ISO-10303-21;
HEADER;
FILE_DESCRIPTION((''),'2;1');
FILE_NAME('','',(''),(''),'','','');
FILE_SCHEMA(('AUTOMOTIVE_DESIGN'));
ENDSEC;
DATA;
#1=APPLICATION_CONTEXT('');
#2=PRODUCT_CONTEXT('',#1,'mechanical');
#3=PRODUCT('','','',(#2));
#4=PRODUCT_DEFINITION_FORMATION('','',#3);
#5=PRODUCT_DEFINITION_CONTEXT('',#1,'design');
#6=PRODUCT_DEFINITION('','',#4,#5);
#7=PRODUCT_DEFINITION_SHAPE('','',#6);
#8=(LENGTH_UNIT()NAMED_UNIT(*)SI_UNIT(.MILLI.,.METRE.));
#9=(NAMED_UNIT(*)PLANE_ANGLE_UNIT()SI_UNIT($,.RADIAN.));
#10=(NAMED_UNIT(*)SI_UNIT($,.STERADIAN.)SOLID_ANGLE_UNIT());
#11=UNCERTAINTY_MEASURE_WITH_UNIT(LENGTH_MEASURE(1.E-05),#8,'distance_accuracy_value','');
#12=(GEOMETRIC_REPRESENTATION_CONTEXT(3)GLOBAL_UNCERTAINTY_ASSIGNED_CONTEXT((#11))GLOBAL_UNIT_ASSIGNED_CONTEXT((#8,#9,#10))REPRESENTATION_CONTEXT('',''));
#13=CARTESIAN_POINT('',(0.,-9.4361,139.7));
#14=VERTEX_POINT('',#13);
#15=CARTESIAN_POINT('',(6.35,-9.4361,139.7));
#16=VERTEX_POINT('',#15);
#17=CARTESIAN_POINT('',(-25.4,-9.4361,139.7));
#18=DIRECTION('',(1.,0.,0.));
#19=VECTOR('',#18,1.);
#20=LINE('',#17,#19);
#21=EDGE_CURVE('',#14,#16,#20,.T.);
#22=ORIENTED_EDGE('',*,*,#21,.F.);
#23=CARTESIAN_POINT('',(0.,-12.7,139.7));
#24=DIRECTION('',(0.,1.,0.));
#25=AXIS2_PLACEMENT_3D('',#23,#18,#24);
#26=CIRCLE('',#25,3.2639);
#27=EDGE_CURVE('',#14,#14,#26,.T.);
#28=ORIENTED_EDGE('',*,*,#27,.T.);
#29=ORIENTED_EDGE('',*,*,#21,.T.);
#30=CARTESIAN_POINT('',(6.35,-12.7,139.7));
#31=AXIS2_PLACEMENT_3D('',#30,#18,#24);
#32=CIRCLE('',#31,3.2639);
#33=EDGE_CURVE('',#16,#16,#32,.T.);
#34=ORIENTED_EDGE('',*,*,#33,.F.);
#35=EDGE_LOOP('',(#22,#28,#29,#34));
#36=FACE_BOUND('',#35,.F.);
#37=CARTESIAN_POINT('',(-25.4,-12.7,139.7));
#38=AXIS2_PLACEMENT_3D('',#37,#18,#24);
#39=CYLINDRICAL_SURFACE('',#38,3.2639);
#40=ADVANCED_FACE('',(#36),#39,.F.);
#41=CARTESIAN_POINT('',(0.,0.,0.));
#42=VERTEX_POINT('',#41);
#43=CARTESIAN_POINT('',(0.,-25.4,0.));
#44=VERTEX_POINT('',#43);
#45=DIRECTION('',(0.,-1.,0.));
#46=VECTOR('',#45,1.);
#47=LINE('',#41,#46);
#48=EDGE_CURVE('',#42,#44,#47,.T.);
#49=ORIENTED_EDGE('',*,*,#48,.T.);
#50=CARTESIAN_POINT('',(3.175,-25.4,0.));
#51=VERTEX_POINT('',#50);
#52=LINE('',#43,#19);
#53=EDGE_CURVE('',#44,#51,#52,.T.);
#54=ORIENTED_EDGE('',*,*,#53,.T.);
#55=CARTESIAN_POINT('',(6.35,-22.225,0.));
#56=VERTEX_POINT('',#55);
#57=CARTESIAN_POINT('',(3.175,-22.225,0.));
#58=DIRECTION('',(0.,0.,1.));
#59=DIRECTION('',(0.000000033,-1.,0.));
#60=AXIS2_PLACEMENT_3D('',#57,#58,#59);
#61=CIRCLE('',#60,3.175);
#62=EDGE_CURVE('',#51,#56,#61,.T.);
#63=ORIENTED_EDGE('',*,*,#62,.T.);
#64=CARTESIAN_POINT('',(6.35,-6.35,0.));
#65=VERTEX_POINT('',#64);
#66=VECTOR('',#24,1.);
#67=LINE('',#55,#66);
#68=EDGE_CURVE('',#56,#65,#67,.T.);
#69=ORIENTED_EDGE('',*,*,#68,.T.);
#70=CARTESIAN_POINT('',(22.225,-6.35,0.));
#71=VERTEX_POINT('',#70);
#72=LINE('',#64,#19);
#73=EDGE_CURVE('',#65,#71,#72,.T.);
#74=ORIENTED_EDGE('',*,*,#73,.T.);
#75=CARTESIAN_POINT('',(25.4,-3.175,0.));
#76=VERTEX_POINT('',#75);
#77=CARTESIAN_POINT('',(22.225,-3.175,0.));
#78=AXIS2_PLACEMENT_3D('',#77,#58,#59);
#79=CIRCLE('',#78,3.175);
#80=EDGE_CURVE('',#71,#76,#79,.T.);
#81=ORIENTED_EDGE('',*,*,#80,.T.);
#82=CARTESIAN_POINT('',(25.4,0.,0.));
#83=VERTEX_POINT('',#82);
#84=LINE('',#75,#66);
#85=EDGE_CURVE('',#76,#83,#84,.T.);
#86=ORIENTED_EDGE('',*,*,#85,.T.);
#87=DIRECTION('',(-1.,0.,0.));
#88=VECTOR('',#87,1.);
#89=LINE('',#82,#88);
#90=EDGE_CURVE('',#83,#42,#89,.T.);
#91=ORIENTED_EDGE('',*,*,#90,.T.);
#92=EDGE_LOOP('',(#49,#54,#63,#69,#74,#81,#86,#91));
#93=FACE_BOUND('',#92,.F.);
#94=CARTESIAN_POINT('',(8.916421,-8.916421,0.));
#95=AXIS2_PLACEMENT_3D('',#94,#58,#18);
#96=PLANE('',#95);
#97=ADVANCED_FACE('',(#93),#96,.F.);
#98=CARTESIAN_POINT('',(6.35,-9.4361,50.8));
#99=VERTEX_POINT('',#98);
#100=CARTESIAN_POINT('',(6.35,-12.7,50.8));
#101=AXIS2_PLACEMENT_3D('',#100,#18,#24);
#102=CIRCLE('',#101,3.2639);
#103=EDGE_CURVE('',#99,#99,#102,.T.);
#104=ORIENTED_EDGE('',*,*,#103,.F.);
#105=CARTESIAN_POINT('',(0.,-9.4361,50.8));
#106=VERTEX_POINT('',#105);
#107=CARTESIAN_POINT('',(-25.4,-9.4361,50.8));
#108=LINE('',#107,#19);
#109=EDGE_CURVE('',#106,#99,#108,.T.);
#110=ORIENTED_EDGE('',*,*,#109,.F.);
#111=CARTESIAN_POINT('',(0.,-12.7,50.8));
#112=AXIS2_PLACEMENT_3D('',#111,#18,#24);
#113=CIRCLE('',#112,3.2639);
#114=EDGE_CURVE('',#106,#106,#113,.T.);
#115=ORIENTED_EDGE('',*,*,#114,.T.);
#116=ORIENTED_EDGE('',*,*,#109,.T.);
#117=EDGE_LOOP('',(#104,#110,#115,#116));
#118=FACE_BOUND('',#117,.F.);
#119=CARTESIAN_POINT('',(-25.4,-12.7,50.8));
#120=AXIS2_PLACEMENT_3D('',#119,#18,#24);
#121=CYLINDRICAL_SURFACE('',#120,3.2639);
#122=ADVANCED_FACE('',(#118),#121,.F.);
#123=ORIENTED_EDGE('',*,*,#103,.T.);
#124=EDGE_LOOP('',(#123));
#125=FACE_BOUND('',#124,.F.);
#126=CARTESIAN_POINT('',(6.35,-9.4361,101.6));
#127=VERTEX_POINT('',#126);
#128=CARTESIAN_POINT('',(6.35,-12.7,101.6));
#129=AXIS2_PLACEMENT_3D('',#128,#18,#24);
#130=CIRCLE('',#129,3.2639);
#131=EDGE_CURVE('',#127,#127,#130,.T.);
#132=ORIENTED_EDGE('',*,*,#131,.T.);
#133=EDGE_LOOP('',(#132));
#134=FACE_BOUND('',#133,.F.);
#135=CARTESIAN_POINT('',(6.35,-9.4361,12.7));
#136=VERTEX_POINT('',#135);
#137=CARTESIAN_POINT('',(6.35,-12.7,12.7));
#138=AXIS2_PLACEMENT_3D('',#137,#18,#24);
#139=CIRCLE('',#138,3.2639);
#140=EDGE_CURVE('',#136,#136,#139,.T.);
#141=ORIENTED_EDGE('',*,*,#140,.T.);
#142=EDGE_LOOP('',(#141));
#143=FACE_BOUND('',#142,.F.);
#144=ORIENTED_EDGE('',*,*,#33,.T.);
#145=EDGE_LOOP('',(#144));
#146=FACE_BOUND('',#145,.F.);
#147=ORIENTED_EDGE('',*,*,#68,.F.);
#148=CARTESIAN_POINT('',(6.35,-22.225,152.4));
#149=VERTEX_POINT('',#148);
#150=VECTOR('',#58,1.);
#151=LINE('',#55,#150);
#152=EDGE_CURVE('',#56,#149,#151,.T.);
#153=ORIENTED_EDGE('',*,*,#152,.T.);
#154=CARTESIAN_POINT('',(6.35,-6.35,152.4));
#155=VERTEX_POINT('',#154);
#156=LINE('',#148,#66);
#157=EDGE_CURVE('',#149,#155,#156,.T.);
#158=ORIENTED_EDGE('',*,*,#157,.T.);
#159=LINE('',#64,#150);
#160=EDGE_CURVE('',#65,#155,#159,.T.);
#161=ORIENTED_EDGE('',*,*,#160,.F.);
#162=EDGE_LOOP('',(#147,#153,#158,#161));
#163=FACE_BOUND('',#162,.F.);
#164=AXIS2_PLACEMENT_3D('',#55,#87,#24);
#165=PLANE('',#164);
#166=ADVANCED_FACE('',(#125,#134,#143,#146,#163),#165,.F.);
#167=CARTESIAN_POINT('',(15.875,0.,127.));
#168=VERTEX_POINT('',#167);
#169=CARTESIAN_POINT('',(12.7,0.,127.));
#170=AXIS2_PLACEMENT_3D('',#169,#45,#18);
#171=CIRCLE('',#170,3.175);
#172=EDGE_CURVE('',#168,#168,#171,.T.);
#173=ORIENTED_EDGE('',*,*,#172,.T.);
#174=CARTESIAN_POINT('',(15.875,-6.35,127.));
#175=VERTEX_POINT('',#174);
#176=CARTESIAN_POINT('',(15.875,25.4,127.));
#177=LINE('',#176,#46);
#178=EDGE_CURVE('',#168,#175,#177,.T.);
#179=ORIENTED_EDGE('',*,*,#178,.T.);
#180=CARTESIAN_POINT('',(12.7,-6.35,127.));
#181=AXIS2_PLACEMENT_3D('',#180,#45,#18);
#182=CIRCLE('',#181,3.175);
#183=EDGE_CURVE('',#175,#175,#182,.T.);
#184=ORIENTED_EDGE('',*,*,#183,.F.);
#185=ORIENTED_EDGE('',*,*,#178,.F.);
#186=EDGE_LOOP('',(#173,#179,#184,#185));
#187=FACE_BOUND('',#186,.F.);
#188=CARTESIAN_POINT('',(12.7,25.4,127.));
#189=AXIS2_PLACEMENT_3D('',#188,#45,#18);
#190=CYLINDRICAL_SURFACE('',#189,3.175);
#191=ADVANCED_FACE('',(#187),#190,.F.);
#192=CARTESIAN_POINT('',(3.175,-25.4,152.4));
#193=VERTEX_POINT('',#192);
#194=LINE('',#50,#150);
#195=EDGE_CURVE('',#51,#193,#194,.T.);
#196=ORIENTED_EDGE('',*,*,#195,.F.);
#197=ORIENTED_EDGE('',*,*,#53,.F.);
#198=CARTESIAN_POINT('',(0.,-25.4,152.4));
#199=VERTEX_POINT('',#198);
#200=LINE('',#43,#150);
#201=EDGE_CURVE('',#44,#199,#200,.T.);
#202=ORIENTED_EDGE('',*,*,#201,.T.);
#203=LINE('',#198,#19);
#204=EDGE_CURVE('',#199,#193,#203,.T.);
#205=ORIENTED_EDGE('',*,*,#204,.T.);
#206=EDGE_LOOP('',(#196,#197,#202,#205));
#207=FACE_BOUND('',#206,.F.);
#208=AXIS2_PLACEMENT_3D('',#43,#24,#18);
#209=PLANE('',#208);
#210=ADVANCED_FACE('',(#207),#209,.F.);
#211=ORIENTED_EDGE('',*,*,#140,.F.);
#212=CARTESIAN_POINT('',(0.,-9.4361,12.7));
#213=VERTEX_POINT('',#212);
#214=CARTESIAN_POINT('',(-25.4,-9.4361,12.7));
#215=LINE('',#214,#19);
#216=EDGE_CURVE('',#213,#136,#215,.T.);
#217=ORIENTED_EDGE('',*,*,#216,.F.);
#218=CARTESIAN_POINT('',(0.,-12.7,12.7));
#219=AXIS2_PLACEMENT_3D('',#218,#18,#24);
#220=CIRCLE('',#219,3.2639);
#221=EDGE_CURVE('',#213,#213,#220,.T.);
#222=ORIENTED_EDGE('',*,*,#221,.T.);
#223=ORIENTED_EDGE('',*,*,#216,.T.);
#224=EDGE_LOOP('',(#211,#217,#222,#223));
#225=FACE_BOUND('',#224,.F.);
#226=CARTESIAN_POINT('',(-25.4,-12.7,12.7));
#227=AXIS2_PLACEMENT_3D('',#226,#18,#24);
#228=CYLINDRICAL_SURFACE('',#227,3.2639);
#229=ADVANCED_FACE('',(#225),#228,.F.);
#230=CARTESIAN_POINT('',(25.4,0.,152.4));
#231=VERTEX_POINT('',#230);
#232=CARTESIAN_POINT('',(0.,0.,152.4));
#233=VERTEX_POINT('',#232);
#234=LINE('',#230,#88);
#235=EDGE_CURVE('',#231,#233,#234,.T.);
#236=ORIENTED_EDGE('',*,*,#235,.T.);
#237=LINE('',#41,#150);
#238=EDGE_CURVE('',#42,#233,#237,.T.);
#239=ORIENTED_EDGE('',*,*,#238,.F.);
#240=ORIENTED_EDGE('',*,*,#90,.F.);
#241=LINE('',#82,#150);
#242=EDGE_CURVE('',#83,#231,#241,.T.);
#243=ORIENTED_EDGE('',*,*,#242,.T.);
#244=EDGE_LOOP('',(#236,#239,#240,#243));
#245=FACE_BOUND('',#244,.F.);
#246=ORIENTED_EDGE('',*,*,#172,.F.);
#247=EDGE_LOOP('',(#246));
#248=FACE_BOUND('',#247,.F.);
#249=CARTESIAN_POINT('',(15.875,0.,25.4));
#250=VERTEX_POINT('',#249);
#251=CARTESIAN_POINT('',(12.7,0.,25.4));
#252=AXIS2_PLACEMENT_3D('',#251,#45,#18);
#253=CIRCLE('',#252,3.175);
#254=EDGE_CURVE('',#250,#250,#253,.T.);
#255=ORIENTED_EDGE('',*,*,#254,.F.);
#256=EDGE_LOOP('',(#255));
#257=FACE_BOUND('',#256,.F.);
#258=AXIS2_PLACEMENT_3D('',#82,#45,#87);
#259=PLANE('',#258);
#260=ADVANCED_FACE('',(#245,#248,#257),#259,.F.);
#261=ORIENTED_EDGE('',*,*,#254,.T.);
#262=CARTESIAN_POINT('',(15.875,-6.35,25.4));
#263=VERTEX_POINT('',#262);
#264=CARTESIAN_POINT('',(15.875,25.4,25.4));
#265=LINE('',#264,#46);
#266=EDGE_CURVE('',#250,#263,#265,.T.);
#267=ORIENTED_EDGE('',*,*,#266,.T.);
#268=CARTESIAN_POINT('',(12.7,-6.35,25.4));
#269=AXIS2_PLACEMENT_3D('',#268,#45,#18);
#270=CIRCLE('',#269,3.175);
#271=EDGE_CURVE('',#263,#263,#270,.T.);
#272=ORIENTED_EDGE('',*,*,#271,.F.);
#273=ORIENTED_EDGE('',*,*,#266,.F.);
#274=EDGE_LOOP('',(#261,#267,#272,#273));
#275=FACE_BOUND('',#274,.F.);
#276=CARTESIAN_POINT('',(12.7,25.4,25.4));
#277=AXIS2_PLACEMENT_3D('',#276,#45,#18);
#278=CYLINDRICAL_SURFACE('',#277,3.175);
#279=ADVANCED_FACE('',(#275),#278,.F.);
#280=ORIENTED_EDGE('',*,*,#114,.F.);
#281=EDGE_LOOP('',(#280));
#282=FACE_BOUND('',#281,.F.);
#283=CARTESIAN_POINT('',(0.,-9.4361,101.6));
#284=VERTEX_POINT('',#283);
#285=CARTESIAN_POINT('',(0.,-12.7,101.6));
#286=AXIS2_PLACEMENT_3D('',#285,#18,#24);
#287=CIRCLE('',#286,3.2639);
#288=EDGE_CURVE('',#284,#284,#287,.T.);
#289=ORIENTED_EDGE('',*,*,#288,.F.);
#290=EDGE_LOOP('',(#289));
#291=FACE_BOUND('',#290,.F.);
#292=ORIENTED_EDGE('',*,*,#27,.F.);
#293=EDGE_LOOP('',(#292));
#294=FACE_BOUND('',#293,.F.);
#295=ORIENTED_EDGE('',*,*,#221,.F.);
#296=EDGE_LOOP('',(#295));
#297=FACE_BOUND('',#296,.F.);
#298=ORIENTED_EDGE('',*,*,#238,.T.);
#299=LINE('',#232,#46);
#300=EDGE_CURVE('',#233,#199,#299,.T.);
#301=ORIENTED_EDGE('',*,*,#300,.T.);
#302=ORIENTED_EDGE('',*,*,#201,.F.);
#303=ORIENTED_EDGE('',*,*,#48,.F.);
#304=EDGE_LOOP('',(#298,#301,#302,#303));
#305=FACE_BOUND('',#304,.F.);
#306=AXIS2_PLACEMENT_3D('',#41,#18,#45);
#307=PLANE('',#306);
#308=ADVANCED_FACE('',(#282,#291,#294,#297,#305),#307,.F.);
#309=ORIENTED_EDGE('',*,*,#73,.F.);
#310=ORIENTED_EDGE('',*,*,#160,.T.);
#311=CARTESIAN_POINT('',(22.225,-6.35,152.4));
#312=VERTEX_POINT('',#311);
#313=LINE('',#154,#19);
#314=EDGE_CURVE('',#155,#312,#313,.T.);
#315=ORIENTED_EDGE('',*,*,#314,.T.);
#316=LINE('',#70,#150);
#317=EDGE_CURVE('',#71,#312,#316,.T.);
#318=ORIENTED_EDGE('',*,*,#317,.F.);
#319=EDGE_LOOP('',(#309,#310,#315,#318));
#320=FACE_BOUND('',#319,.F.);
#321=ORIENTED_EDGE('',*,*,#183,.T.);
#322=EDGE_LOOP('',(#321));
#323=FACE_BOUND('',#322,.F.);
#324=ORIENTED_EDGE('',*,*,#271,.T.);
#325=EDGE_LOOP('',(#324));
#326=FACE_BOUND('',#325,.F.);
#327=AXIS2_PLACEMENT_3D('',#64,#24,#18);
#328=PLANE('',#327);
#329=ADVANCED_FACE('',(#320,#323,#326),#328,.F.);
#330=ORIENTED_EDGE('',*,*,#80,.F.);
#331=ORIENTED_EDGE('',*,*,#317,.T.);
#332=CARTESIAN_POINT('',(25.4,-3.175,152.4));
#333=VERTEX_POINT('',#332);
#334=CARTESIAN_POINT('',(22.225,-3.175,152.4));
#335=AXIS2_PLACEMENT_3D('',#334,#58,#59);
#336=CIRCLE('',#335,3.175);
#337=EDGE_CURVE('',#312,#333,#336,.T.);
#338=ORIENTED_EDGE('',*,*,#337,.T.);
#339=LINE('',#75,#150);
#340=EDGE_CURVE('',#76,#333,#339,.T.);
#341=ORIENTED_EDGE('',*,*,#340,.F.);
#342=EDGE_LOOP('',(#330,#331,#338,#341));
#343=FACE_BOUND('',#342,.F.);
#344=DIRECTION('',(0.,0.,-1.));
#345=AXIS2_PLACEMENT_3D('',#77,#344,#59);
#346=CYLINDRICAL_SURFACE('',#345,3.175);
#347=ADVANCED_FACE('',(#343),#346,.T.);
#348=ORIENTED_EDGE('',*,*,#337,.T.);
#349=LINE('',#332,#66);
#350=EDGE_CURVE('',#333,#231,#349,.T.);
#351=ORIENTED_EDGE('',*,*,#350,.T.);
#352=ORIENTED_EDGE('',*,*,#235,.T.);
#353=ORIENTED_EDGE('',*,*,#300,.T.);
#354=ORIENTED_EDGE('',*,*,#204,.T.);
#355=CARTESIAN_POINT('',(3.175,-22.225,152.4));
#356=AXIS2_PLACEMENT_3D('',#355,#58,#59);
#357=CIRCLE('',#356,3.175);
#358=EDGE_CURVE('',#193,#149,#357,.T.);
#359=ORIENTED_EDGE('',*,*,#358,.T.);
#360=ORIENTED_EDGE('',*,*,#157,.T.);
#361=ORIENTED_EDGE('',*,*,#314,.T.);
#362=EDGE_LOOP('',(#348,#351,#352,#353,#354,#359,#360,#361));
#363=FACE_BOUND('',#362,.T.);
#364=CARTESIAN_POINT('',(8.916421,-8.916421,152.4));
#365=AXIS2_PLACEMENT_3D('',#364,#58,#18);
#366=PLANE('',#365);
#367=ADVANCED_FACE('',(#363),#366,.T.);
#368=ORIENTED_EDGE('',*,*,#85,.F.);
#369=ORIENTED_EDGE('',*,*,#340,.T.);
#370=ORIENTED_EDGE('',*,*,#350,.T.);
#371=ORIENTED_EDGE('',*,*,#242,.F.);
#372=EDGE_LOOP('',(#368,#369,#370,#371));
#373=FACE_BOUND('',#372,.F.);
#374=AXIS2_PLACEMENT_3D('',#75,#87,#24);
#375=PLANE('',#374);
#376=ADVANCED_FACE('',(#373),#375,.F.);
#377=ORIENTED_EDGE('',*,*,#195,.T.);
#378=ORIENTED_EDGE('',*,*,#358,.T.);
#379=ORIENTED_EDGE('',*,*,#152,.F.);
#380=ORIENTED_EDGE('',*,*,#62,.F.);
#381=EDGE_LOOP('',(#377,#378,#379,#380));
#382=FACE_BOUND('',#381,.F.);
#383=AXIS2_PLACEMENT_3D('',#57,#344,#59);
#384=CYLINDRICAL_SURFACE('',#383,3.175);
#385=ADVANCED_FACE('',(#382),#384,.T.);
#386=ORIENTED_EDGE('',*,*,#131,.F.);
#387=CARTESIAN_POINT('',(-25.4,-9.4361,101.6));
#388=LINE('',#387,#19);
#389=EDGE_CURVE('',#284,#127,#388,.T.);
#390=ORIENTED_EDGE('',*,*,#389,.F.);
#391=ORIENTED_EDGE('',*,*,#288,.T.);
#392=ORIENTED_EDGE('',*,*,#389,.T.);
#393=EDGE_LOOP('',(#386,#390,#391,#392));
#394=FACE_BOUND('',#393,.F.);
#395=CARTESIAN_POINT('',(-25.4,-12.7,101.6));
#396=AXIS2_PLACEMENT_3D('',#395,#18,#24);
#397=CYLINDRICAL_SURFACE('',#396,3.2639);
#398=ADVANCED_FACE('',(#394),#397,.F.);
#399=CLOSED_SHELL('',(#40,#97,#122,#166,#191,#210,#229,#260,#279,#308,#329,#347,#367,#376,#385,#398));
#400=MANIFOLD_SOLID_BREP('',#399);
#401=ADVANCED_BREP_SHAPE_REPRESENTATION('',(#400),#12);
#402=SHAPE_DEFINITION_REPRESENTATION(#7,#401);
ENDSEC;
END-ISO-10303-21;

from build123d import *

# Parameters (mm, degrees)
F1_DEPTH = 152.4
F4_D     = 6.35
F4_DEPTH = 25.4
F5_D     = 6.5278
F5_DEPTH = 25.4


with BuildPart() as f1:
    # F0 (on Top) → F1 (new body)
    with BuildSketch(Plane.XY):
        with BuildLine():
            Line((25.4, 0), (0, 0))
            Line((0, 0), (0, -25.4))
            Line((0, -25.4), (3.175, -25.4))
            ThreePointArc((3.175, -25.4), (5.420064, -24.470064), (6.35, -22.225))
            Line((6.35, -22.225), (6.35, -19.05))
            Line((6.35, -19.05), (6.35, -6.35))
            Line((6.35, -6.35), (18.926421, -6.35))
            Line((18.926421, -6.35), (19.173579, -6.35))
            Line((19.173579, -6.35), (22.225, -6.35))
            ThreePointArc((22.225, -6.35), (24.470064, -5.420064), (25.4, -3.175))
            Line((25.4, -3.175), (25.4, -0.001203))
            Line((25.4, -0.001203), (25.4, 0))
        make_face()
    extrude(amount=F1_DEPTH)

    # F4
    with Locations(Plane(origin=(0, 0, 0), x_dir=(-1, 0, 0), z_dir=(0, 1, 0))):
        with Locations((-12.7, 127), (-12.7, 25.4)):
            Hole(F4_D / 2, depth=F4_DEPTH)

    # F5
    with Locations(Plane(origin=(0, 0, 0), x_dir=(0, -1, 0), z_dir=(-1, 0, 0))):
        with Locations((12.7, 12.7), (12.7, 50.8), (12.7, 101.6), (12.7, 139.7)):
            Hole(F5_D / 2, depth=F5_DEPTH)


solid = f1.part
